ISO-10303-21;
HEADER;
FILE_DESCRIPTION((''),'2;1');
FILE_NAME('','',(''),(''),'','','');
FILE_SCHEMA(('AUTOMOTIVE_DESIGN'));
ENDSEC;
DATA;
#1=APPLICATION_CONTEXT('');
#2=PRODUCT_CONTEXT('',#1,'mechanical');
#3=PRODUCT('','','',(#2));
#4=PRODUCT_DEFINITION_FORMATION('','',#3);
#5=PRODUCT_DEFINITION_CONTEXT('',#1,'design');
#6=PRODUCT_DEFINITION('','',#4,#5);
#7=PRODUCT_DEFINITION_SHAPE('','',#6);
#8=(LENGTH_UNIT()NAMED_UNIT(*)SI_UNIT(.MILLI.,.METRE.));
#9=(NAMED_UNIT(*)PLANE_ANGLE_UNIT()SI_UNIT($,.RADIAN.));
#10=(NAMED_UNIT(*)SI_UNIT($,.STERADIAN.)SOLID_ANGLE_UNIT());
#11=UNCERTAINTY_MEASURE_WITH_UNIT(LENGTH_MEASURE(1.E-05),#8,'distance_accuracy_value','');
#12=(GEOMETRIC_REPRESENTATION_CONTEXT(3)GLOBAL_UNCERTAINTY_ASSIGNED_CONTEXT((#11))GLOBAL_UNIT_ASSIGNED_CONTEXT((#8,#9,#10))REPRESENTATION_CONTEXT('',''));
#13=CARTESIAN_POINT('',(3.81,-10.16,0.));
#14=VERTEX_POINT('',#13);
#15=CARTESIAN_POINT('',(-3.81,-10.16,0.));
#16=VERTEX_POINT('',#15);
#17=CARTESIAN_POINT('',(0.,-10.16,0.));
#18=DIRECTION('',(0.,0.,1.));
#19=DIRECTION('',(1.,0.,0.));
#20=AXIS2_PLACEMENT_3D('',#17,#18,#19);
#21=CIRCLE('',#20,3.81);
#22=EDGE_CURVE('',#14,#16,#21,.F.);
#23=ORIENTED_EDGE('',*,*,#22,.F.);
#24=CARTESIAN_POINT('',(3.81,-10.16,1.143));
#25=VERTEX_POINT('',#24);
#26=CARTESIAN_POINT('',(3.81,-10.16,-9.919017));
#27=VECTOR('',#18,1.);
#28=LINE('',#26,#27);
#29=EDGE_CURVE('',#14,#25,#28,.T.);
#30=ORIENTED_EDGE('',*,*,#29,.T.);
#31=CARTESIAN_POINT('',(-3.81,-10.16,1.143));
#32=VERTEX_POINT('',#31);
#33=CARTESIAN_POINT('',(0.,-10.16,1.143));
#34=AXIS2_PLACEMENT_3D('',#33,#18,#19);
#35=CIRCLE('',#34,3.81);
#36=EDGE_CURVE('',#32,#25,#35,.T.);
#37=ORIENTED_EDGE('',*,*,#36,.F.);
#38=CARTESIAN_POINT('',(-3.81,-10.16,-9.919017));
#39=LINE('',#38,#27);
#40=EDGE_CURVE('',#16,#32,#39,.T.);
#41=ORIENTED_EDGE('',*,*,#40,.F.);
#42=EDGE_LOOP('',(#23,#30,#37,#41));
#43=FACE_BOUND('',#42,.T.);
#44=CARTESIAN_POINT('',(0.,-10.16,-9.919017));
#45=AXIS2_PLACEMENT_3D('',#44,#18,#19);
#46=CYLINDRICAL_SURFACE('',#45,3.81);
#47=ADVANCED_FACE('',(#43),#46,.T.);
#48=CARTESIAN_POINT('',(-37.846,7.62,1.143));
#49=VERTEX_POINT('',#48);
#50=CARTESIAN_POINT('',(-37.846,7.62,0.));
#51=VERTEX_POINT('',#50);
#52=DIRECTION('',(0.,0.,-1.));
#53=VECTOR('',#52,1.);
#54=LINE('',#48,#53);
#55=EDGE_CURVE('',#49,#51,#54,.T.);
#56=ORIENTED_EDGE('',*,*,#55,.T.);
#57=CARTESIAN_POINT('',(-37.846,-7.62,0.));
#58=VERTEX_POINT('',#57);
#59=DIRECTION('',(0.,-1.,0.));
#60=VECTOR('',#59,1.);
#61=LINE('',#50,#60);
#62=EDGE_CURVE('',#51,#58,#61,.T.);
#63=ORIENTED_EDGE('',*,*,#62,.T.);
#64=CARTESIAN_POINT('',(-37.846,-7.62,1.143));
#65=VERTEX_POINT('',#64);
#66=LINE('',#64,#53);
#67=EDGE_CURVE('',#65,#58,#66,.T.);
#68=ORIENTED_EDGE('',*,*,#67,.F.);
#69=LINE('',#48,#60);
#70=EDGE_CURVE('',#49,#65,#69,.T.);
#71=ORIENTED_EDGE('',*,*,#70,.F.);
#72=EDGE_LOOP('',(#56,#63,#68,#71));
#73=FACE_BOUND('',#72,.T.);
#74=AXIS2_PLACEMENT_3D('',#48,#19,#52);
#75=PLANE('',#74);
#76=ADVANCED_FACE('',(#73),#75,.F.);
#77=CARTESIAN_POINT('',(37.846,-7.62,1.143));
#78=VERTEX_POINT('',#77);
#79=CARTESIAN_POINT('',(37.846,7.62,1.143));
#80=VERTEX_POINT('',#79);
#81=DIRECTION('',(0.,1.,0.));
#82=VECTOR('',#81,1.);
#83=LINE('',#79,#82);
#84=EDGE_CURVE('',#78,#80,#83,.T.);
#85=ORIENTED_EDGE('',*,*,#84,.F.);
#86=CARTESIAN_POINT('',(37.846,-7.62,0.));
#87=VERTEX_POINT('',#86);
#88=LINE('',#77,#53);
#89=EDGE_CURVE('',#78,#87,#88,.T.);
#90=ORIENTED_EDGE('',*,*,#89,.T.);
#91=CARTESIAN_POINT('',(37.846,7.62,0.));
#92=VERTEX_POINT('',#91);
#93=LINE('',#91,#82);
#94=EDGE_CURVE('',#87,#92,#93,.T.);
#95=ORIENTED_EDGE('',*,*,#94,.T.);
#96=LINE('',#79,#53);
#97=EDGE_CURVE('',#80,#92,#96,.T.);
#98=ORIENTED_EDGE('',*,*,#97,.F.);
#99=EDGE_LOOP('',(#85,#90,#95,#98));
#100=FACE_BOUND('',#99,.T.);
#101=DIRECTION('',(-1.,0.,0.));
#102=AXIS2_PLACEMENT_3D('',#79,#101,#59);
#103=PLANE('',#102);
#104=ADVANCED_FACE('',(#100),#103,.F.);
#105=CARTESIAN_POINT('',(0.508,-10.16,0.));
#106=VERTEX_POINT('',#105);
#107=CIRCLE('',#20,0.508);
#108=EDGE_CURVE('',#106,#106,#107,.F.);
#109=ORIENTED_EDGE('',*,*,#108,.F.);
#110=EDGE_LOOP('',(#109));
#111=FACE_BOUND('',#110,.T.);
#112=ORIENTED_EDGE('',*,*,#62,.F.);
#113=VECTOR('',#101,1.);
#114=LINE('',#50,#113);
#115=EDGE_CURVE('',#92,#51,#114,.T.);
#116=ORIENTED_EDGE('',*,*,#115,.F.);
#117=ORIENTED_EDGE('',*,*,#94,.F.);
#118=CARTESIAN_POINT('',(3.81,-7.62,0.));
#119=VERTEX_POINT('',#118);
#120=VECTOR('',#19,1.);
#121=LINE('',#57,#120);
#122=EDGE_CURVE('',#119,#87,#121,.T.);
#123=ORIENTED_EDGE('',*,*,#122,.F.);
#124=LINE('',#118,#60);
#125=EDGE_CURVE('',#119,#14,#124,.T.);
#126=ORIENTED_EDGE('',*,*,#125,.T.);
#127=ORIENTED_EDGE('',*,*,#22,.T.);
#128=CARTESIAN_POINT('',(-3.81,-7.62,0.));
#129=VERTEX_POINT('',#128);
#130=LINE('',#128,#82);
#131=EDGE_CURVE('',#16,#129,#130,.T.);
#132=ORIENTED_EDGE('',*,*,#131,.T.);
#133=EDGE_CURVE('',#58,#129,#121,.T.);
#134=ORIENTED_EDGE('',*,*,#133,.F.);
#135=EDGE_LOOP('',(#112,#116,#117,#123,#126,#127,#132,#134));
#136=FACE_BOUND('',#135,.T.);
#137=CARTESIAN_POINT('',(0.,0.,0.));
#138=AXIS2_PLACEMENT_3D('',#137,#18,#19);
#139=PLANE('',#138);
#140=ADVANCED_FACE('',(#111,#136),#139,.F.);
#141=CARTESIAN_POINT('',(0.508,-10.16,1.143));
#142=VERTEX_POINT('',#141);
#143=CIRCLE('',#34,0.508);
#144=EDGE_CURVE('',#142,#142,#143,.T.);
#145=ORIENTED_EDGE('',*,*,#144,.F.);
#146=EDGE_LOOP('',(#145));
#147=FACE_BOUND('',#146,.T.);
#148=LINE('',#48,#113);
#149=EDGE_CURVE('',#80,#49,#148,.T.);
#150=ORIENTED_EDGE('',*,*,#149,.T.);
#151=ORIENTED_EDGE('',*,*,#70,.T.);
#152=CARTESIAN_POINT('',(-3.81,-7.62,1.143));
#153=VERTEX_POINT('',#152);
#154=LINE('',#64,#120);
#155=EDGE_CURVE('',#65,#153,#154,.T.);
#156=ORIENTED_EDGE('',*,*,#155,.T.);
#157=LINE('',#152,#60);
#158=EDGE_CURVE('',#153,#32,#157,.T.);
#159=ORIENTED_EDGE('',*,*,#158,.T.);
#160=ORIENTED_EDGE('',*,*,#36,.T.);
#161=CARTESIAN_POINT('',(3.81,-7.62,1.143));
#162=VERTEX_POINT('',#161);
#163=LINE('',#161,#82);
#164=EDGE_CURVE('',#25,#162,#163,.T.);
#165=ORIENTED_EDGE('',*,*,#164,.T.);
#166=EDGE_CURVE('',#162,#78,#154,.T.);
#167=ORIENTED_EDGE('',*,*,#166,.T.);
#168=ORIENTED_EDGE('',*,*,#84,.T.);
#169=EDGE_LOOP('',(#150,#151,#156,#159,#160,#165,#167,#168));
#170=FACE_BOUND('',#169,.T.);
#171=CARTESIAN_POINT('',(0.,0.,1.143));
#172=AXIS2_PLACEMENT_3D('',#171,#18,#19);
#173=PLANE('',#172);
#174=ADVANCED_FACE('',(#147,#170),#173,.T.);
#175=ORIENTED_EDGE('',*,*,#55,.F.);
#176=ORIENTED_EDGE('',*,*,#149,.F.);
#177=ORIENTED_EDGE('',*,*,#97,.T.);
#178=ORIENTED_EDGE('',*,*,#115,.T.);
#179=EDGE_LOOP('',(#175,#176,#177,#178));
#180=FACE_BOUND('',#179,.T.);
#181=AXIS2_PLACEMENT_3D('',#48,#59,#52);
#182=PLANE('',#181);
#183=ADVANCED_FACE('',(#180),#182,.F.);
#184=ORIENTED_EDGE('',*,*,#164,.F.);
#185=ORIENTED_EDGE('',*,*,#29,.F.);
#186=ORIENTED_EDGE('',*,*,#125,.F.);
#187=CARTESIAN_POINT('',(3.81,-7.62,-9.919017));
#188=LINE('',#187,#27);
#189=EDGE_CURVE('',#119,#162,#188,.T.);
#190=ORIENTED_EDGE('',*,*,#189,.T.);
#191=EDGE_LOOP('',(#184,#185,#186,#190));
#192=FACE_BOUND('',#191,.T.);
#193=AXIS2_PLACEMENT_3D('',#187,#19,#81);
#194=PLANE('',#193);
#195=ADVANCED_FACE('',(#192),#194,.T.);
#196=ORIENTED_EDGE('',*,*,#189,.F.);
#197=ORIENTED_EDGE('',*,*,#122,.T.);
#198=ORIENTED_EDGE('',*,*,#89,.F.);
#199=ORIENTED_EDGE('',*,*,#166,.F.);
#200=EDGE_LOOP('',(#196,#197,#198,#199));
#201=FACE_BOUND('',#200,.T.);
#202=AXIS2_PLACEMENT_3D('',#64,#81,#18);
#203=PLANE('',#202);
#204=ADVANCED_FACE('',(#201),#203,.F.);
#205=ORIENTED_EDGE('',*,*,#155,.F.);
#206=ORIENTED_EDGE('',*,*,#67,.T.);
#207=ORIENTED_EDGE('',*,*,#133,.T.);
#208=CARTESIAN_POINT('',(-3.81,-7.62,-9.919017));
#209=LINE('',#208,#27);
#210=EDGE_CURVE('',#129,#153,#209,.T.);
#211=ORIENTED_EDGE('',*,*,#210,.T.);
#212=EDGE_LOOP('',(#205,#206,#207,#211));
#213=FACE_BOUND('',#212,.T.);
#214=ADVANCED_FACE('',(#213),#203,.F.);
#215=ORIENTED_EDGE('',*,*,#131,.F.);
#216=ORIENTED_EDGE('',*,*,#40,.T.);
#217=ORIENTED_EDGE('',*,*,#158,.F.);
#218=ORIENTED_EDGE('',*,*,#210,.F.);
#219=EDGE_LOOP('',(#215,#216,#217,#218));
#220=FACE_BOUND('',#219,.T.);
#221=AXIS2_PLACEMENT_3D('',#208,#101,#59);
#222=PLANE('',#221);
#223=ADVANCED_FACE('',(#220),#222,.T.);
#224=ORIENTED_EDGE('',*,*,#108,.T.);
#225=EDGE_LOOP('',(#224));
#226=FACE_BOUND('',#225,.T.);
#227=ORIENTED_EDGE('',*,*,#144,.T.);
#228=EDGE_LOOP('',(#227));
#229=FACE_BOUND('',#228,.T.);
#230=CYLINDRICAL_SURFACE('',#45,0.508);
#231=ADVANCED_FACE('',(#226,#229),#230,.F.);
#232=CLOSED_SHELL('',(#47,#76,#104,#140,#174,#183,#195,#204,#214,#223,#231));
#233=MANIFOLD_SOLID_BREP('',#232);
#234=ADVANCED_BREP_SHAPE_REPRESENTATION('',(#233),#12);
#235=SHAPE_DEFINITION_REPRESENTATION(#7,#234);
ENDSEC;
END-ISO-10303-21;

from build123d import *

# Parameters (mm, degrees)
SKETCH1_W           = 75.692
SKETCH1_H           = 15.24
BOSS_EXTRUDE1_DEPTH = 1.143
SKETCH2_R           = 0.508
BOSS_EXTRUDE2_DEPTH = 1.143


with BuildPart() as part:
    # Sketch1 → Boss-Extrude1 (new body)
    with BuildSketch(Plane.XY):
        Rectangle(SKETCH1_W, SKETCH1_H)
    extrude(amount=BOSS_EXTRUDE1_DEPTH)

    # Sketch2 → Boss-Extrude2 (add)
    with BuildSketch(Plane.XY.offset(1.143)):
        with BuildLine():
            Line((-3.81, -7.62), (3.81, -7.62))
            Line((3.81, -7.62), (3.81, -10.16))
            ThreePointArc((3.81, -10.16), (0, -13.97), (-3.81, -10.16))
            Line((-3.81, -10.16), (-3.81, -7.62))
        make_face()
        with Locations((0, -10.16)):
            Circle(SKETCH2_R, mode=Mode.SUBTRACT)
    extrude(amount=-BOSS_EXTRUDE2_DEPTH)


solid = part.part
